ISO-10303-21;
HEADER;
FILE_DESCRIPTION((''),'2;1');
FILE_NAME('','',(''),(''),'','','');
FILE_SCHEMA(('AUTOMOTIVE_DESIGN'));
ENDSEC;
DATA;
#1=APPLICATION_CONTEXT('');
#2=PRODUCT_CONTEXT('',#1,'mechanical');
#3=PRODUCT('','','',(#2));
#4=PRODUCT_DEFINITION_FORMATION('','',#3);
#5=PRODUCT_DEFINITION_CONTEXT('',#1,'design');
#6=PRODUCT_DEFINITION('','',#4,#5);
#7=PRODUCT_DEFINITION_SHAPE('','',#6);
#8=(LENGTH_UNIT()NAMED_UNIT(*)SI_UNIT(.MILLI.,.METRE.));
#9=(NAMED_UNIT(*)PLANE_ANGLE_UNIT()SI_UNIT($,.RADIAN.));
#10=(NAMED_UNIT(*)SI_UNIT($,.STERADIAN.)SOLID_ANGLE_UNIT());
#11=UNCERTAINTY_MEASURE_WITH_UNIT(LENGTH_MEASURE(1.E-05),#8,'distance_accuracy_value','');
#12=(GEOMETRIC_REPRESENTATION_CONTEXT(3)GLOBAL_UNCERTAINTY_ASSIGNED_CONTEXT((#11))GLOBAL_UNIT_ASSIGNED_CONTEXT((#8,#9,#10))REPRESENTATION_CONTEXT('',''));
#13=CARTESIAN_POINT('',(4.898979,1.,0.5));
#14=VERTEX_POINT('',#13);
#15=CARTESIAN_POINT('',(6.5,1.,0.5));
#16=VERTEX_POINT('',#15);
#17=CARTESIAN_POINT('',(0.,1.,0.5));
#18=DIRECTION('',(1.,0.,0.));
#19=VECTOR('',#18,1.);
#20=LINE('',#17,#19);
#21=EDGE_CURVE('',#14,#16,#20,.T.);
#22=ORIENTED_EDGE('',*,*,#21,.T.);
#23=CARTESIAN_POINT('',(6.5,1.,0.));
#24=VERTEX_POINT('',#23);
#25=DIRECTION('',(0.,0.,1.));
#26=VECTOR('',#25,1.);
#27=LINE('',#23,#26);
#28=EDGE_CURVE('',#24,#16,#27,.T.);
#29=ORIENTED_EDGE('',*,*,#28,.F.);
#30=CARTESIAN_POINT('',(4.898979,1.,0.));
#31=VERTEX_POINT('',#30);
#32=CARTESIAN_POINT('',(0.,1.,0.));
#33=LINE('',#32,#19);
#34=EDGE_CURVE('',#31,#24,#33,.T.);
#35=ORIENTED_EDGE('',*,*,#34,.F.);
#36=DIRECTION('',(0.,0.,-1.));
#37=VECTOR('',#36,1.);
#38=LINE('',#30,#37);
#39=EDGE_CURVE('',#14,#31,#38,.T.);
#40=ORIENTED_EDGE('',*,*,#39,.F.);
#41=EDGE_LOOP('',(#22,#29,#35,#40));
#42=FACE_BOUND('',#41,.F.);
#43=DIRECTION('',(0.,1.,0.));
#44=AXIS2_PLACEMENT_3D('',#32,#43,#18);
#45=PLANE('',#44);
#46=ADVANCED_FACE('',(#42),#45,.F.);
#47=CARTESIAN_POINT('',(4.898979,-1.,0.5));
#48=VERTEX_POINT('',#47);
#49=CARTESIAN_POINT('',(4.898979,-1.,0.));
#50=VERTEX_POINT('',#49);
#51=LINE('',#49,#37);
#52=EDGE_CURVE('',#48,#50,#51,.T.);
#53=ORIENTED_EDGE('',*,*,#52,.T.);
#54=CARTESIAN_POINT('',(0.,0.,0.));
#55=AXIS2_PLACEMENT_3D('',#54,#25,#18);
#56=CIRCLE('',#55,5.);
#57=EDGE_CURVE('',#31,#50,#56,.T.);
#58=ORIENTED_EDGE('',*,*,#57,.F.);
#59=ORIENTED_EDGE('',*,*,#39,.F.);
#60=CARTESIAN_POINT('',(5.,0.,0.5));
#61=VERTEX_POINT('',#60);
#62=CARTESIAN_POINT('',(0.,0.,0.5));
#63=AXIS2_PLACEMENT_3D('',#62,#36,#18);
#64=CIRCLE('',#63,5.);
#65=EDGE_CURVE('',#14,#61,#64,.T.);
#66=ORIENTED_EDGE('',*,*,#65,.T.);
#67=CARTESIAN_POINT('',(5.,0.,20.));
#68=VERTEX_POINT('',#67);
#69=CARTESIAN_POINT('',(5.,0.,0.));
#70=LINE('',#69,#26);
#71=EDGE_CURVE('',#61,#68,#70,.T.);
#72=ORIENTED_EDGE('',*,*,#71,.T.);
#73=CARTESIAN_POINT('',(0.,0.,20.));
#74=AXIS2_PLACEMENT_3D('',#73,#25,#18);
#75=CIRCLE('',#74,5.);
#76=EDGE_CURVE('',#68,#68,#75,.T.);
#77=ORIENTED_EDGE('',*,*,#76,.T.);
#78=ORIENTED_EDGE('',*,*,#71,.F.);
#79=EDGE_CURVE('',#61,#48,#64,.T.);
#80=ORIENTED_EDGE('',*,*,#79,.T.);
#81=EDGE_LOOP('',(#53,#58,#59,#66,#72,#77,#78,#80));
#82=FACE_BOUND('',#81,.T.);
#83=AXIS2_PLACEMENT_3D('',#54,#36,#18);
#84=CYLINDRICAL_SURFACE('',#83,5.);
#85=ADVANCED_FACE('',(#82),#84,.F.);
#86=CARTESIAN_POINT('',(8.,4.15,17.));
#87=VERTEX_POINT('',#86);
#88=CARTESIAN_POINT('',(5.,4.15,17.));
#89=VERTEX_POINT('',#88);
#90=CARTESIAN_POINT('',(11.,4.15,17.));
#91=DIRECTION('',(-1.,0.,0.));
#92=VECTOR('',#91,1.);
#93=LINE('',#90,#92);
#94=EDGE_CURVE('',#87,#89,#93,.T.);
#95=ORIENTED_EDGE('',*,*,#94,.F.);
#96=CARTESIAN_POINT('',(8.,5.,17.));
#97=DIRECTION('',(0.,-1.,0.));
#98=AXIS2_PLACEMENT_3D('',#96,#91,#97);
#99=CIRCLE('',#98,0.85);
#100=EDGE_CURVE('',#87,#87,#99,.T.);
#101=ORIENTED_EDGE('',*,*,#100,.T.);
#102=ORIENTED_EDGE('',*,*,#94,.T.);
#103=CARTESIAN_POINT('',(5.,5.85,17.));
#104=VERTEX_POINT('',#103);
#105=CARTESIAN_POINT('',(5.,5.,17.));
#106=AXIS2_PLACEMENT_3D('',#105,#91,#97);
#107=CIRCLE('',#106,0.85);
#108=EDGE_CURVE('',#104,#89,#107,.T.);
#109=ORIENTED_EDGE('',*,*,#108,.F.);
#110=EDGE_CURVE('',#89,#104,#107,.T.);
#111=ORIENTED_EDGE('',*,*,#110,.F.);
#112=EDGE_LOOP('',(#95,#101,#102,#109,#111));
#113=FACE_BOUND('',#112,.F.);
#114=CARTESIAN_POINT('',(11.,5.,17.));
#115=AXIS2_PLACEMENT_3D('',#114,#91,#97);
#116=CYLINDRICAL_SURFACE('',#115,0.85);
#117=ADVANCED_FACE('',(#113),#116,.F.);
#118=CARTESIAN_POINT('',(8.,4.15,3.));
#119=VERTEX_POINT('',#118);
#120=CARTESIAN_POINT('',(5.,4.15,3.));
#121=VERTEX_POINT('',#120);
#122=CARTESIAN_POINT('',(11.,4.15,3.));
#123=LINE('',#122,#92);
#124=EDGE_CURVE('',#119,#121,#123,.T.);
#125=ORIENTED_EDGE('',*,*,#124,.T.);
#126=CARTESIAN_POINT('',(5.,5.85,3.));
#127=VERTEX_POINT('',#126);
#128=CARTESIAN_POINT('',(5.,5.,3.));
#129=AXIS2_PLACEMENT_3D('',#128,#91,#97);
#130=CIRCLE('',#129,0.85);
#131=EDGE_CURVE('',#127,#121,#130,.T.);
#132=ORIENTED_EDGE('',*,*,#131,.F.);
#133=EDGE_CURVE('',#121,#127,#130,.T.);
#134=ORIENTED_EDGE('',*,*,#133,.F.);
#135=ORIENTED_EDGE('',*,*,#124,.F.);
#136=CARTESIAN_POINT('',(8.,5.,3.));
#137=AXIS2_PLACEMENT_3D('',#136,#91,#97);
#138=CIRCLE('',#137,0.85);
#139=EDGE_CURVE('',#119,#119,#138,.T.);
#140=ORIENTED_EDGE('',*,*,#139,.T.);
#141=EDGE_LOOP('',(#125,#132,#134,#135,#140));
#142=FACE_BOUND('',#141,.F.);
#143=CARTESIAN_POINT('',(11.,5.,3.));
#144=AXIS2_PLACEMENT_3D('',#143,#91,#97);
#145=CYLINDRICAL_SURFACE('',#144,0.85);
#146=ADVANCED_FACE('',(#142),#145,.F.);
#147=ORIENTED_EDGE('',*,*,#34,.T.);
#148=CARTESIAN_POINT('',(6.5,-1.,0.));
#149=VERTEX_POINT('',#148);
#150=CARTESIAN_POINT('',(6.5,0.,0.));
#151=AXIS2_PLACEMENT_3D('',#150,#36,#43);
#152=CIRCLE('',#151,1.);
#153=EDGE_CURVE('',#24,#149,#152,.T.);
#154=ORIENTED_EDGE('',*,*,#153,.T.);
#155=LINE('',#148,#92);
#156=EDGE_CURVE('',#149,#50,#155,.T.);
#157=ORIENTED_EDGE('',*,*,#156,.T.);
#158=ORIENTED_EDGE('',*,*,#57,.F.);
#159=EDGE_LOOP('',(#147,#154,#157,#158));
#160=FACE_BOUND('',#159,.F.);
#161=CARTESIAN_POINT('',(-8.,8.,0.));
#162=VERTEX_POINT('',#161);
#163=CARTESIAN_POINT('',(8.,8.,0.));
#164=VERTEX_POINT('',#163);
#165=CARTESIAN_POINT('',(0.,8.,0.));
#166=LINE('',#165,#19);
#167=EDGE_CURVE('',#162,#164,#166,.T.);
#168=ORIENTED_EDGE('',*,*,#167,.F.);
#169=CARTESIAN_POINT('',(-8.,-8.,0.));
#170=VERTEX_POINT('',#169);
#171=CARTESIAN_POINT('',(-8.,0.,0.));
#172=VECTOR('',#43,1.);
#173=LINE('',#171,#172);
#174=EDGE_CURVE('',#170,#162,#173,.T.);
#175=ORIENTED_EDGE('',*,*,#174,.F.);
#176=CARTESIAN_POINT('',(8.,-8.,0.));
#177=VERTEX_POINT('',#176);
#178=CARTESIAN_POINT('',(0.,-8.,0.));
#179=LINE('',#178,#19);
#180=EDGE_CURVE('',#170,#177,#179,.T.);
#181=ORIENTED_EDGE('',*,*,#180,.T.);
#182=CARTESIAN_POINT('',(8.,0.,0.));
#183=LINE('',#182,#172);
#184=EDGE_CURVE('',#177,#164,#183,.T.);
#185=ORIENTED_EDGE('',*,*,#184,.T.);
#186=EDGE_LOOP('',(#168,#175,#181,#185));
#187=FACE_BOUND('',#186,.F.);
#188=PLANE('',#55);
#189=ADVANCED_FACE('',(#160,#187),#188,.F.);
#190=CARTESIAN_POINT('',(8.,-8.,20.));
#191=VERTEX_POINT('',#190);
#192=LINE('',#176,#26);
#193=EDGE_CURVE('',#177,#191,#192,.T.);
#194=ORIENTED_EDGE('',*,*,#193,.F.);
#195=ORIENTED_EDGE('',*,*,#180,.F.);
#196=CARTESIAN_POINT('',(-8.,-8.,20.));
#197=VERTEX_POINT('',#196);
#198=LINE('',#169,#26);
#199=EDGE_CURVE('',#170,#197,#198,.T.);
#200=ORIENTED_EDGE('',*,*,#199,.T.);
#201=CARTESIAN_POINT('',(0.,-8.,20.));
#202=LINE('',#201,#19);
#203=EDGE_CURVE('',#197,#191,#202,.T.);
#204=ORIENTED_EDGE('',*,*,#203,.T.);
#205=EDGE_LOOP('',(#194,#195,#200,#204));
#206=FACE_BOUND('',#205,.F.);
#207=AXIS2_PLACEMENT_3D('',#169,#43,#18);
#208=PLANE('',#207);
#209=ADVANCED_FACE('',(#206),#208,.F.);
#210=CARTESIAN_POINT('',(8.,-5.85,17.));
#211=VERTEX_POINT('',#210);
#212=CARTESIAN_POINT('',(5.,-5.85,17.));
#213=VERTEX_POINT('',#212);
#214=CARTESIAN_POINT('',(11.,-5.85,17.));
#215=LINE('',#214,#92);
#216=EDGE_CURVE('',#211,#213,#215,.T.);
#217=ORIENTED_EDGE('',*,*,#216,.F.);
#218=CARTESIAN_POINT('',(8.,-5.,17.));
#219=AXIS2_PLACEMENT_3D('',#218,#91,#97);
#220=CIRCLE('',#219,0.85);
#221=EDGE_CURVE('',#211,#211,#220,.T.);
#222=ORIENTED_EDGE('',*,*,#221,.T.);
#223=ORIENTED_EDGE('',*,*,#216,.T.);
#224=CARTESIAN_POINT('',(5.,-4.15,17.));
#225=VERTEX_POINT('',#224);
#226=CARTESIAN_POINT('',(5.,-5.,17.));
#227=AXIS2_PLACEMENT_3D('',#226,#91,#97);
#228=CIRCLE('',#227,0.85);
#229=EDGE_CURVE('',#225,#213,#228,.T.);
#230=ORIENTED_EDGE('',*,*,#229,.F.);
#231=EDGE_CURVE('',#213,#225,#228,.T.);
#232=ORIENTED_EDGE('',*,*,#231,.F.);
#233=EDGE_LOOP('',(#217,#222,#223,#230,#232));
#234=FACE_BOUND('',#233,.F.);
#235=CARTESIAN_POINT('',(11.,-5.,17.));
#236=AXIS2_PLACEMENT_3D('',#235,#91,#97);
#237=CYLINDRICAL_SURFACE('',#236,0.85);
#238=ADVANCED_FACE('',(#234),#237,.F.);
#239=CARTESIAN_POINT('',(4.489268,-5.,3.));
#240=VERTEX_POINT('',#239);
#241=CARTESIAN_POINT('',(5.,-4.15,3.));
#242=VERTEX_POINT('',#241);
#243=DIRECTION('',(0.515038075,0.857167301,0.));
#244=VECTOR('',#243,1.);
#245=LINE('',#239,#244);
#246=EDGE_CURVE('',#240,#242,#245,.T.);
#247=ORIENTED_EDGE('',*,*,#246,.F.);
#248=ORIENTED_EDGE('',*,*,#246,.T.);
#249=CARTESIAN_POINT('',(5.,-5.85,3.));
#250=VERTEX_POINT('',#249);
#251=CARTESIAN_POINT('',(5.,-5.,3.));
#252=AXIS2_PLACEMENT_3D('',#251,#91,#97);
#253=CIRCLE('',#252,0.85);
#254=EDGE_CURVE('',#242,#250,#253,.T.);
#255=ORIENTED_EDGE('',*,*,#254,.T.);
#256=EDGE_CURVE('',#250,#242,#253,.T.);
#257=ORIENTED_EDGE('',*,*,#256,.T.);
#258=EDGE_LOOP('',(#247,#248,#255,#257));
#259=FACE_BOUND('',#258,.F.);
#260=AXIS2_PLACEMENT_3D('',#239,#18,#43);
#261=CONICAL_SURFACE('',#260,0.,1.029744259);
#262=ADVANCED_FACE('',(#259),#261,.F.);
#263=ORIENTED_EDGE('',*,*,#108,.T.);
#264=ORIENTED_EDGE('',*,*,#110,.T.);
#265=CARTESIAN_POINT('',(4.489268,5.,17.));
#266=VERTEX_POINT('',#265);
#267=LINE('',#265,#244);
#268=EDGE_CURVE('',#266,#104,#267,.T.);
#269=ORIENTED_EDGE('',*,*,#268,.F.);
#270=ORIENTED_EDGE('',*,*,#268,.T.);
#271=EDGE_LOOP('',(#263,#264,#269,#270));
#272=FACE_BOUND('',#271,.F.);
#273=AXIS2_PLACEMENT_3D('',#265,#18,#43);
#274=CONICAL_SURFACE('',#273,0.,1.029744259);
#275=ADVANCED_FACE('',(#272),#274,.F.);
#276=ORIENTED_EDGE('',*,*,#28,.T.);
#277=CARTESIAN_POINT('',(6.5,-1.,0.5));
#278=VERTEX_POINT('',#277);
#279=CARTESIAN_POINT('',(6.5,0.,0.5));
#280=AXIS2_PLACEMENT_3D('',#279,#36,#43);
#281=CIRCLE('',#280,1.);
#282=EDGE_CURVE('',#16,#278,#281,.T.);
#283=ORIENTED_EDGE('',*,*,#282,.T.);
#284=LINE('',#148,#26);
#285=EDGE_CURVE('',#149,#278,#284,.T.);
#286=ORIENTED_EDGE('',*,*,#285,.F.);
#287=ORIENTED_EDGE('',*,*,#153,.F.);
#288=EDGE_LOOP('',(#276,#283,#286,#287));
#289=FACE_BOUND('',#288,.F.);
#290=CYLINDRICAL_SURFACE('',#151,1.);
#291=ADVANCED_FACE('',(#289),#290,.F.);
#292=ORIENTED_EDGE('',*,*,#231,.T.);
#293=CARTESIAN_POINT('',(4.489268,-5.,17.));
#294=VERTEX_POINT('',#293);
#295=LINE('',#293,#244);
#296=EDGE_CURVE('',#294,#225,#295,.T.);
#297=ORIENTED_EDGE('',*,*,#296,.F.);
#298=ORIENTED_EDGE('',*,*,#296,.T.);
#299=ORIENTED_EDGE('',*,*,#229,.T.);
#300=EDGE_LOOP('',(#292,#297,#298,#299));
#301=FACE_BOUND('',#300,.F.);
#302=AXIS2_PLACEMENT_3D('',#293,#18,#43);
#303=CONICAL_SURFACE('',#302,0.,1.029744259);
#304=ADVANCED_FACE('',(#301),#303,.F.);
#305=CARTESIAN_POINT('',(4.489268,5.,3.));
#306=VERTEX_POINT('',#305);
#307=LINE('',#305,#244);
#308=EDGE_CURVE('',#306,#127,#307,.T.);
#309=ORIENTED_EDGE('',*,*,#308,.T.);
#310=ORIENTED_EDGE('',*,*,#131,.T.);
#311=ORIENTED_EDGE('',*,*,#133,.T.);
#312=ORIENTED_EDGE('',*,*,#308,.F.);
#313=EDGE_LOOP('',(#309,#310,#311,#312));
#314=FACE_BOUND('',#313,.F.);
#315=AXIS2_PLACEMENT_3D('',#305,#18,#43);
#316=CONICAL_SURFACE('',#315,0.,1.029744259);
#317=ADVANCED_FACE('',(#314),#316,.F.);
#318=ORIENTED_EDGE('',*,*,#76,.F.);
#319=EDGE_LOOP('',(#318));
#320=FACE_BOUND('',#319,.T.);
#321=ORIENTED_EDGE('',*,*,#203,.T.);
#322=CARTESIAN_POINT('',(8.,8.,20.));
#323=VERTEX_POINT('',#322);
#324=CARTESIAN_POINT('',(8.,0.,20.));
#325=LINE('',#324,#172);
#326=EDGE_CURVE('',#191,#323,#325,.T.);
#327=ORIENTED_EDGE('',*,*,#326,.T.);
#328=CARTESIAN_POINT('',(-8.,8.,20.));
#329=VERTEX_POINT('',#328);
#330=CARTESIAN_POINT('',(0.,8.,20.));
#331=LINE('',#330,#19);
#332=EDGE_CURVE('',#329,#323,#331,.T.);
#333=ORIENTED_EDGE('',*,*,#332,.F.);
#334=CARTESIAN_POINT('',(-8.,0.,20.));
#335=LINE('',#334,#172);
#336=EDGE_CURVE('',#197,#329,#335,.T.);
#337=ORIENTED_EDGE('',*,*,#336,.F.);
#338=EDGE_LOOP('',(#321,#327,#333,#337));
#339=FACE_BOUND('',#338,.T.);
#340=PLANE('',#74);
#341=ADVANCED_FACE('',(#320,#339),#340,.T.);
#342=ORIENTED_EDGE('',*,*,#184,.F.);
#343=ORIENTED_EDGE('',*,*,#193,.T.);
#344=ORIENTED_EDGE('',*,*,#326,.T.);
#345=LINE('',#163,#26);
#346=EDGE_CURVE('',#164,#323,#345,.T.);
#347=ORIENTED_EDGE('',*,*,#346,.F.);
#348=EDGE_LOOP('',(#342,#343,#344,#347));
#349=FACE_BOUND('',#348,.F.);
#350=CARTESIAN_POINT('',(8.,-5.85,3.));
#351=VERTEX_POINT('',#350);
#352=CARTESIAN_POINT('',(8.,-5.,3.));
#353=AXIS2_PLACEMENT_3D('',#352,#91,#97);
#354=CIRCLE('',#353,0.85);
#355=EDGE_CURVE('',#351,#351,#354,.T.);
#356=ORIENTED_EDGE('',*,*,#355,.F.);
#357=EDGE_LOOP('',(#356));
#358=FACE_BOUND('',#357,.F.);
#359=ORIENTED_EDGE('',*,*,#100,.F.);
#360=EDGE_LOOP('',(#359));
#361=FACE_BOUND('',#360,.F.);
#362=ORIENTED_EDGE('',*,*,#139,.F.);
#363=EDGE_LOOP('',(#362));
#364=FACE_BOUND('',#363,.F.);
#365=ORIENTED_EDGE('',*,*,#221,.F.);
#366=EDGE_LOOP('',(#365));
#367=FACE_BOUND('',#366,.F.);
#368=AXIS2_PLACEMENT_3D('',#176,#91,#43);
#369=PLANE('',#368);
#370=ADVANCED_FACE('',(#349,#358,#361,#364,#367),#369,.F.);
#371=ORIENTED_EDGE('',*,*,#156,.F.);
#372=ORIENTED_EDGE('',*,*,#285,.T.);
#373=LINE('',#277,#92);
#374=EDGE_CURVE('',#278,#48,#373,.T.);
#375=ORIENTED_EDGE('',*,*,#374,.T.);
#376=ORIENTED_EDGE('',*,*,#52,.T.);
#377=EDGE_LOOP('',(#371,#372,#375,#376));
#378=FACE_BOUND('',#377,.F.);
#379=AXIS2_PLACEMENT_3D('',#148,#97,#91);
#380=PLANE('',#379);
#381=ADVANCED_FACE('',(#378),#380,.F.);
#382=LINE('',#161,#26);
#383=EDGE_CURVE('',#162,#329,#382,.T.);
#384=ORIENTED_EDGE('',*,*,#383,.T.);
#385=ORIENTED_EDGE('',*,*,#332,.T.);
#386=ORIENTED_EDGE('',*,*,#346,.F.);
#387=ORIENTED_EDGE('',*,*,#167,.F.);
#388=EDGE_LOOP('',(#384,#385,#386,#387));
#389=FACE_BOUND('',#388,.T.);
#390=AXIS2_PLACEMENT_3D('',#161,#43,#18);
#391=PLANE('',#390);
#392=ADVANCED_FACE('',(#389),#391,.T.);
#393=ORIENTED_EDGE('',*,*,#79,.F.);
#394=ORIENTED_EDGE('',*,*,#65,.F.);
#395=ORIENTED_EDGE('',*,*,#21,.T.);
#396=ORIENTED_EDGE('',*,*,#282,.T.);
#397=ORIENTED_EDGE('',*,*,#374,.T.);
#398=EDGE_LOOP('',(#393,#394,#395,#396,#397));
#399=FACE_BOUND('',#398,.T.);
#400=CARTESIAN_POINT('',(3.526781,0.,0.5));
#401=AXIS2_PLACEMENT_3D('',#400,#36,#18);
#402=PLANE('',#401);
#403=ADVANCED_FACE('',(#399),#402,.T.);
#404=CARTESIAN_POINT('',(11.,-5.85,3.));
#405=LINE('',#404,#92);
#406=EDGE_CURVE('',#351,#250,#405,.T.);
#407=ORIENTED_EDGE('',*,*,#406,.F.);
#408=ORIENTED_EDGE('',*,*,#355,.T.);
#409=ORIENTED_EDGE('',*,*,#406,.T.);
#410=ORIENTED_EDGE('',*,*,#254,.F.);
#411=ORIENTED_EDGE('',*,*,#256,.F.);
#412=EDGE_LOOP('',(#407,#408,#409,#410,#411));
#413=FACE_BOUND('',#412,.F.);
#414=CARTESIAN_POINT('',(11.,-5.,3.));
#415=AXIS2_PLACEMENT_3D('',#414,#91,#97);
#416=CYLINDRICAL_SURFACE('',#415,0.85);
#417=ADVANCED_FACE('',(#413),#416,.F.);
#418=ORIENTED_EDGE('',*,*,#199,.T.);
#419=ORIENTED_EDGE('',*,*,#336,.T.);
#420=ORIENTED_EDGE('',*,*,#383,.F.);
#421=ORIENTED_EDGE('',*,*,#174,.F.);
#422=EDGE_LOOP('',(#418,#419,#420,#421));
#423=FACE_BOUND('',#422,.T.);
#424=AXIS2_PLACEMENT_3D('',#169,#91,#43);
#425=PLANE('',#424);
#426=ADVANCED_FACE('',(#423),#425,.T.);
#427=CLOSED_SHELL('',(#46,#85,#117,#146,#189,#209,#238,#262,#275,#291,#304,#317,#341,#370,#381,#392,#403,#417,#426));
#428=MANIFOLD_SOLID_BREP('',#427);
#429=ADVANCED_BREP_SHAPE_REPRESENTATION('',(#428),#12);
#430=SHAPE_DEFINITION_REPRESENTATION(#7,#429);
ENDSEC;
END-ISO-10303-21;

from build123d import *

# Parameters (mm, degrees)
F0_W     = 16
F0_H     = 16
F0_R     = 5
F1_DEPTH = 20
F3_D     = 1.7
F3_DEPTH = 3
F3_TIP   = 0.5107315262
F5_DEPTH = 0.5


with BuildPart() as f1:
    # F0 (on Top) → F1 (new body)
    with BuildSketch(Plane.XY):
        Rectangle(F0_W, F0_H)
        Circle(F0_R, mode=Mode.SUBTRACT)
    extrude(amount=F1_DEPTH)

    # F3
    with Locations(Plane.YZ.offset(8)):
        with Locations((-5, 17), (5, 17), (5, 3), (-5, 3)):
            Hole(F3_D / 2, depth=F3_DEPTH)
            with Locations((0, 0, -(F3_DEPTH + F3_TIP / 2))):  # 118° drill point
                Cone(0, F3_D / 2, F3_TIP, mode=Mode.SUBTRACT)

    # F4 (on face) → F5 (cut)
    with BuildSketch(Plane(origin=(0, 0, 0), x_dir=(1, 0, 0), z_dir=(0, 0, -1))):
        with BuildLine():
            Line((0, -1), (6.5, -1))
            ThreePointArc((6.5, -1), (7.5, 0), (6.5, 1))
            Line((6.5, 1), (0, 1))
            Line((0, 1), (0, -1))
        make_face()
    extrude(amount=-F5_DEPTH, mode=Mode.SUBTRACT)


solid = f1.part
